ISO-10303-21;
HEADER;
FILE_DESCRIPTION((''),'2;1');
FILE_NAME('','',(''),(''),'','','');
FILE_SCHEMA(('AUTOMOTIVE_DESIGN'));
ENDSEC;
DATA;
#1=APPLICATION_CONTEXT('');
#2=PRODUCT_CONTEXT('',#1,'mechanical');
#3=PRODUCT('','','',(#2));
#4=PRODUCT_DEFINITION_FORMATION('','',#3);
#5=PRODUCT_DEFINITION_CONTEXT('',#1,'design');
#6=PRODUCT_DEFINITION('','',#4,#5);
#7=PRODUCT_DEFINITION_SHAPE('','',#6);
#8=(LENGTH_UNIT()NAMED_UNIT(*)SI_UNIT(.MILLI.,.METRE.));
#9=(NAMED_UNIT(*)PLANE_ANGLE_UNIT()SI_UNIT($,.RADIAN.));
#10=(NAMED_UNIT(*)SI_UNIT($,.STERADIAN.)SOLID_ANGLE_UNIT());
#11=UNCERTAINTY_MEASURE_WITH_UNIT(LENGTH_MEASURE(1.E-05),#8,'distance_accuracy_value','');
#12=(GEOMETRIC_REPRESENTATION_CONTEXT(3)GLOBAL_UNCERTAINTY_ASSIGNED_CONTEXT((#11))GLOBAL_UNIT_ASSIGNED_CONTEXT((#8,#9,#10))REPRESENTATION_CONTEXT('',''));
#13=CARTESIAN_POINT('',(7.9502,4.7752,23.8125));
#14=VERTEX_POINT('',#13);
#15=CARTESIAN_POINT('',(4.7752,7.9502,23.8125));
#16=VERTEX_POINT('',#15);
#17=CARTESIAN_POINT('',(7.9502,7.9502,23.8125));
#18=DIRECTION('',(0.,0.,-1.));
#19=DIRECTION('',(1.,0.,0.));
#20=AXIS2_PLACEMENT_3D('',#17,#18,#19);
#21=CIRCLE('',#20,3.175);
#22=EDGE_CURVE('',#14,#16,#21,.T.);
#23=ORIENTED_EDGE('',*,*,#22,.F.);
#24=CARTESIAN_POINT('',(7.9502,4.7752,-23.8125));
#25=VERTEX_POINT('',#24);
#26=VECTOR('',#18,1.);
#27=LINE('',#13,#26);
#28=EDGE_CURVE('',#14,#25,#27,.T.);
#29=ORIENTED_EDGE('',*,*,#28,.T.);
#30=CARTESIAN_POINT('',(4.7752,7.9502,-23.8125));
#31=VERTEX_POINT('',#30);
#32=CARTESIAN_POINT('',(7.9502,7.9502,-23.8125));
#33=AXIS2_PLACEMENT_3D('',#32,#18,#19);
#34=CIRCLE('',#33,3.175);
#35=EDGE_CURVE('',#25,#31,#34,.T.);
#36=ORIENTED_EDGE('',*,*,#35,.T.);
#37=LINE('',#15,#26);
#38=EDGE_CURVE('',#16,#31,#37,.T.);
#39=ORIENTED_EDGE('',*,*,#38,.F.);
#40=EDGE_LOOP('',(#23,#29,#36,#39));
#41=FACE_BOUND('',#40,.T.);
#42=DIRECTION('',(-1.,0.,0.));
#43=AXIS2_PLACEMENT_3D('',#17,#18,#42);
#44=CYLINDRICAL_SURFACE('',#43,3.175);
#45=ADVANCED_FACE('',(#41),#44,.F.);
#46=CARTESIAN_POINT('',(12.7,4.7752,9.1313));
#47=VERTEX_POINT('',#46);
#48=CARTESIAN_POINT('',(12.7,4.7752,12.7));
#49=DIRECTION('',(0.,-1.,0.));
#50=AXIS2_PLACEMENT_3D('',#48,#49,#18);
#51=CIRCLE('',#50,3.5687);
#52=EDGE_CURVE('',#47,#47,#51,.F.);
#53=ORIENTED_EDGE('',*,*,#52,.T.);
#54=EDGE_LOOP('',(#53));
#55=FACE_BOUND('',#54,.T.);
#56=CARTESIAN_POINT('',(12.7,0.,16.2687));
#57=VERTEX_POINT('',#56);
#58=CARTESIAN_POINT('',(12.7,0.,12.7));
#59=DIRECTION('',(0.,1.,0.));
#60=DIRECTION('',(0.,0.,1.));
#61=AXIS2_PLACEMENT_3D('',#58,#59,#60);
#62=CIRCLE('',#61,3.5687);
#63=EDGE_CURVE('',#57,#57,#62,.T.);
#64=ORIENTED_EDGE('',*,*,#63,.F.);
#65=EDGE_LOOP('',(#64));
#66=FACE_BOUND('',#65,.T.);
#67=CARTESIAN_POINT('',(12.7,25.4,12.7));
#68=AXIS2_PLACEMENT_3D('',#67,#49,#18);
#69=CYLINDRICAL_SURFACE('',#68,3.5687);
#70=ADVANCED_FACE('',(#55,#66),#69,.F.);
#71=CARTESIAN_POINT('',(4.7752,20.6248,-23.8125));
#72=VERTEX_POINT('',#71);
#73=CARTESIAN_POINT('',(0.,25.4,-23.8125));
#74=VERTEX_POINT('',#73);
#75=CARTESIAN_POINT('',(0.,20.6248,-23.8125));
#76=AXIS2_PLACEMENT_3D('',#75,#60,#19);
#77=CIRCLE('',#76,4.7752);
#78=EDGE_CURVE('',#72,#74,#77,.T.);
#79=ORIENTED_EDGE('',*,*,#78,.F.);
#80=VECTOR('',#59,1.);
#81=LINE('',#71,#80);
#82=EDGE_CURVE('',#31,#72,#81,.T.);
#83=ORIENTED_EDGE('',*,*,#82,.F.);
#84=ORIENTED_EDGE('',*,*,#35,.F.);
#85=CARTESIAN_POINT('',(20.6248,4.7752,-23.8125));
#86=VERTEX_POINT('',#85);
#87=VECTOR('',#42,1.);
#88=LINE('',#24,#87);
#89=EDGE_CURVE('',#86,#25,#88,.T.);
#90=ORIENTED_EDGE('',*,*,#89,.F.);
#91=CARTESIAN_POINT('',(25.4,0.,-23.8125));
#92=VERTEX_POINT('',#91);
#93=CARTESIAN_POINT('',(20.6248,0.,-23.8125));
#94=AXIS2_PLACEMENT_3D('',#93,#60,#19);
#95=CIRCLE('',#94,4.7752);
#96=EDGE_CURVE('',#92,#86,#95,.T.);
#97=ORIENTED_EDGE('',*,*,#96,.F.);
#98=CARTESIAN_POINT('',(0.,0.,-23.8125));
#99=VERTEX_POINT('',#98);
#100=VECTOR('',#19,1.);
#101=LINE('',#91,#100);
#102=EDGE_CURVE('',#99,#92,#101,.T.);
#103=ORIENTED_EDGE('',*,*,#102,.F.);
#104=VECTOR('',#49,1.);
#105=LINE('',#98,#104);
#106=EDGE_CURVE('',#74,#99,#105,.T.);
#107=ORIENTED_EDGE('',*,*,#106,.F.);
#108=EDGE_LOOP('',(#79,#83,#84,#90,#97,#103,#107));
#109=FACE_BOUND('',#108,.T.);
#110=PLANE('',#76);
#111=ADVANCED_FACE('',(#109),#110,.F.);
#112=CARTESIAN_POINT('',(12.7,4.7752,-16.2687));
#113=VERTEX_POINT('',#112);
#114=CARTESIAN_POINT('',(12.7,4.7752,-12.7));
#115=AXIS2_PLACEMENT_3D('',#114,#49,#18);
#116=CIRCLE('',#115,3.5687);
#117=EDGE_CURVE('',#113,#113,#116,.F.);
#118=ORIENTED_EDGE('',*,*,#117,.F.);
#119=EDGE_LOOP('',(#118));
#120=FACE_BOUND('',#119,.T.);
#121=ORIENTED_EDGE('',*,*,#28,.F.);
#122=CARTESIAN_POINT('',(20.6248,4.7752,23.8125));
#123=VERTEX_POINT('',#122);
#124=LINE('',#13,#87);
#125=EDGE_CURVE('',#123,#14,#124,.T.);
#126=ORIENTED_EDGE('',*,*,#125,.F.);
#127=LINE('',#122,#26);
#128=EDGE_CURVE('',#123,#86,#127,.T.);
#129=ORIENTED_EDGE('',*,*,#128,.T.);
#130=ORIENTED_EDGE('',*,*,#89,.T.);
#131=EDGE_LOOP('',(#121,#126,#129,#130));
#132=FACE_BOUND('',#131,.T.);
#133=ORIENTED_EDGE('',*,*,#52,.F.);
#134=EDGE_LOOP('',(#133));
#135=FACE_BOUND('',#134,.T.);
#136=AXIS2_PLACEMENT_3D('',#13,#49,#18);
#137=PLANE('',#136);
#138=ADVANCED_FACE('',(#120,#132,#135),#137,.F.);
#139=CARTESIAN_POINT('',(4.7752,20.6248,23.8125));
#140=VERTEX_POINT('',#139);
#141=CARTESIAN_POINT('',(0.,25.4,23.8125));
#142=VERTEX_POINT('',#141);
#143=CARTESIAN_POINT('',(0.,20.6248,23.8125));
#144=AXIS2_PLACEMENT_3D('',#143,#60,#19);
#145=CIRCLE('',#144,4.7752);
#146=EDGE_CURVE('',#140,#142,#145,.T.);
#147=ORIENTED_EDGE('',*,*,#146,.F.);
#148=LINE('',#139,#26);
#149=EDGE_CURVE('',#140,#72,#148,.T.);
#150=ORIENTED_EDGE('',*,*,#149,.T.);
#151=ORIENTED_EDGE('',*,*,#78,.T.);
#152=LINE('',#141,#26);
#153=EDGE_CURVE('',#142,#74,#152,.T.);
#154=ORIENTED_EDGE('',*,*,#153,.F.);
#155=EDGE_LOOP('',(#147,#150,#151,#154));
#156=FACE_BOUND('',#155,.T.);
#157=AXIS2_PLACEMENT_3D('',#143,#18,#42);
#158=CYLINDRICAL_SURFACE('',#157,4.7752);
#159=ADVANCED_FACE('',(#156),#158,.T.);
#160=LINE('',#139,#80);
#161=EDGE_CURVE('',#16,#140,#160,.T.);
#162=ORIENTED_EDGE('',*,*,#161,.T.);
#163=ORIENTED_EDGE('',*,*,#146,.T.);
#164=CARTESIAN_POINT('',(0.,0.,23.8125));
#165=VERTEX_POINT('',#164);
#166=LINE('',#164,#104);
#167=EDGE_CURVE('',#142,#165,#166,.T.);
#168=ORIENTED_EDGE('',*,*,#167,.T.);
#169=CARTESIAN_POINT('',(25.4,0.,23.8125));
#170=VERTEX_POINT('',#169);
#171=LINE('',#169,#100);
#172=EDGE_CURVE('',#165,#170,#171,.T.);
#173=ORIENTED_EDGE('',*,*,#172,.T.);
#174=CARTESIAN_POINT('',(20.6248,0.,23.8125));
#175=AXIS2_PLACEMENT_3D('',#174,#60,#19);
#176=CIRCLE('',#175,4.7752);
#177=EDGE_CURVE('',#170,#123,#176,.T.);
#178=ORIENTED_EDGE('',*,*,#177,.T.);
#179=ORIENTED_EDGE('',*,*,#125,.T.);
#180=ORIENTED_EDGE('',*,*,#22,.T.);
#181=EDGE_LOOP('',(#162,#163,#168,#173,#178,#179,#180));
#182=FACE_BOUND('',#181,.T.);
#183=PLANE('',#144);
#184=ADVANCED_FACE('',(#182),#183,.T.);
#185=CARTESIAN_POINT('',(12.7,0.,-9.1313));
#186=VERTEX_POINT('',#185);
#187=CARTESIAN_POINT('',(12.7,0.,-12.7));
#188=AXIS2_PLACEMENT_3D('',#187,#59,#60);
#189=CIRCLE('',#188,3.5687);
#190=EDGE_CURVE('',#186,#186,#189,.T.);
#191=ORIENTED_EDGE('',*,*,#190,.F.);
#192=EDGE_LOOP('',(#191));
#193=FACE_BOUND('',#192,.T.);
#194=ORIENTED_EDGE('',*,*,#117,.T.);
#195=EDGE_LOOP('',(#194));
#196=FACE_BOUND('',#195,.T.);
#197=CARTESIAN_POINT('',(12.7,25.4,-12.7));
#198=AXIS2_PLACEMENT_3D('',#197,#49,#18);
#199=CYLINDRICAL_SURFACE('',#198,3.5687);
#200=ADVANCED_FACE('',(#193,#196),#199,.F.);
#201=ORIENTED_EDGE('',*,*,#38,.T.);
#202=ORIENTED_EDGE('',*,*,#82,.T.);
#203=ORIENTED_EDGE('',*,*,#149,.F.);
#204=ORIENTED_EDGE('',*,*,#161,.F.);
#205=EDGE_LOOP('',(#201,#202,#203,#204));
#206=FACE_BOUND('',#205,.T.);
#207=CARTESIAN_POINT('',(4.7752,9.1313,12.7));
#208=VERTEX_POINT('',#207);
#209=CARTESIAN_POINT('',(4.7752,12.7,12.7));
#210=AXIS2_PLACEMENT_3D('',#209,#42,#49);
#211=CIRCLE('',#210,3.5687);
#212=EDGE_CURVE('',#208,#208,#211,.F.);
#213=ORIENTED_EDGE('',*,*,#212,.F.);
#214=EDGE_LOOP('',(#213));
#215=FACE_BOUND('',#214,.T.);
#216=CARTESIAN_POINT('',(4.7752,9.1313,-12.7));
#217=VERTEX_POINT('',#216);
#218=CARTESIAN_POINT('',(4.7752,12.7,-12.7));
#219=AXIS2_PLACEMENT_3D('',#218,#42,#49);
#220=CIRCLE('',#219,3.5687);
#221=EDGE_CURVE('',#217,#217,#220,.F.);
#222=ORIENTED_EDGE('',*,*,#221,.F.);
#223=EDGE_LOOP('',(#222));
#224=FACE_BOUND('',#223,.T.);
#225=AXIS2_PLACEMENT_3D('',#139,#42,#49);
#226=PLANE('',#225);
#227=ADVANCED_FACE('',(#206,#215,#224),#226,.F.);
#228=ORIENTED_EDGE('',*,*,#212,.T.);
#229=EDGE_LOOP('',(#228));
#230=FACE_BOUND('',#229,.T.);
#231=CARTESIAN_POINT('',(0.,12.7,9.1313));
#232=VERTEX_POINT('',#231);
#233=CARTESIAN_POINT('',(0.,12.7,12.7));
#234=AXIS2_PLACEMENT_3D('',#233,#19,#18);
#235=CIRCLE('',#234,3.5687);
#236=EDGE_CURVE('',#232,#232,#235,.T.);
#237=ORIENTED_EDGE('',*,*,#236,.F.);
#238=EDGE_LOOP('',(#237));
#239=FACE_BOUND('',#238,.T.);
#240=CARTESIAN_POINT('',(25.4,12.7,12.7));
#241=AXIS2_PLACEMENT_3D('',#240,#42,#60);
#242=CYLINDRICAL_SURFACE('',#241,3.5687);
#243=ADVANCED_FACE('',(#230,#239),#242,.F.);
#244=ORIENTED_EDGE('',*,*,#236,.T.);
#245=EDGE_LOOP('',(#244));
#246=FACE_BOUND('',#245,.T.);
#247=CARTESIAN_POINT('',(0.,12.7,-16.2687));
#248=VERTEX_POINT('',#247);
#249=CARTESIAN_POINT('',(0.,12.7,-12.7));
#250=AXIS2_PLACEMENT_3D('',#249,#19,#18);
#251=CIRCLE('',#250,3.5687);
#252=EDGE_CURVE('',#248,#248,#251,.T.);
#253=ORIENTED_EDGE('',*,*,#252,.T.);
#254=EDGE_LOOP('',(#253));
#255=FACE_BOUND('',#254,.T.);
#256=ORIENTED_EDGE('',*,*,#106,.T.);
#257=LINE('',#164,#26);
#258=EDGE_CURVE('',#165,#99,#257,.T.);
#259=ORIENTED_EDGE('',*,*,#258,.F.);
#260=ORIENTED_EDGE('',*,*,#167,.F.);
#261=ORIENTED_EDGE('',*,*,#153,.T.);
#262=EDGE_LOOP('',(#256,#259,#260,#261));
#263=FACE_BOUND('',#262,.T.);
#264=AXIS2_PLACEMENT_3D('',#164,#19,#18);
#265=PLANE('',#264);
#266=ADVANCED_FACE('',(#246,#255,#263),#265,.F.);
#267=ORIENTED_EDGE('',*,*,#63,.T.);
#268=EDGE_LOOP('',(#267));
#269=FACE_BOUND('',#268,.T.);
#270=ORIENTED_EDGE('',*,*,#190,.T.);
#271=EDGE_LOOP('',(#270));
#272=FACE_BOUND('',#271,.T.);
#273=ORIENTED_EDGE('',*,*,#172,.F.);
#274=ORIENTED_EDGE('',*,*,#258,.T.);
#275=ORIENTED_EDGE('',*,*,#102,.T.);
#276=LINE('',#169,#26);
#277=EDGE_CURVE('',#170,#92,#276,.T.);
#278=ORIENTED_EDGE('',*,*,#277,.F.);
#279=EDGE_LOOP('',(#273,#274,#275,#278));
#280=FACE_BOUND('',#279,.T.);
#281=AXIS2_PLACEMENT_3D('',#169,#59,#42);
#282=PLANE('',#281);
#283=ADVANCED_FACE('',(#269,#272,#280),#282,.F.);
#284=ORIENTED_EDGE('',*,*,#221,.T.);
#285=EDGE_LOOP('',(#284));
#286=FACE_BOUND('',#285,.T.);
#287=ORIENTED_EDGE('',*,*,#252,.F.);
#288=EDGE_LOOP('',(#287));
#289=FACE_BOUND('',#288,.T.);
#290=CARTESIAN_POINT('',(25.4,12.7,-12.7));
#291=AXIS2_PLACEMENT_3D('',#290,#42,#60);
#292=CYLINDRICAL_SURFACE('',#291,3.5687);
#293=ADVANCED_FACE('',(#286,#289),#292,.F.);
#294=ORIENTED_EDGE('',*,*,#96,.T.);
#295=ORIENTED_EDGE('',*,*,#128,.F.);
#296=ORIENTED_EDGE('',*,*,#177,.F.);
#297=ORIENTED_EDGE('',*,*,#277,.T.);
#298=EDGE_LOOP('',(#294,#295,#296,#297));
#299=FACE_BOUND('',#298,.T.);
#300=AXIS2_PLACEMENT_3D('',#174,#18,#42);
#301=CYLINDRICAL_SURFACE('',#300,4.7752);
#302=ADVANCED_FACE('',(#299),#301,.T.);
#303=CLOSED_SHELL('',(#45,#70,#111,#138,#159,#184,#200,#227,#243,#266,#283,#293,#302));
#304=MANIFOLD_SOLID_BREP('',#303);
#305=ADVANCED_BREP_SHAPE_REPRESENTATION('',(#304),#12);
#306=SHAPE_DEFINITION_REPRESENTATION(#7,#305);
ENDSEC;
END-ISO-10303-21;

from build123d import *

# Parameters (mm, degrees)
BOSS_EXTRUDE1_DEPTH = 23.8125
SKETCH2_R           = 3.5687
CUT_EXTRUDE1_DEPTH  = 26.4
SKETCH3_R           = 3.5687
CUT_EXTRUDE2_DEPTH  = 26.4


with BuildPart() as part:
    # Sketch1 → Boss-Extrude1 (new body, symmetric)
    with BuildSketch(Plane.XY):
        with BuildLine():
            Line((0, 0), (0, 25.4))
            ThreePointArc((0, 25.4), (3.376576302, 24.001376302), (4.7752, 20.6248))
            Line((4.7752, 20.6248), (4.7752, 7.9502))
            ThreePointArc((4.7752, 7.9502), (5.70513597, 5.70513597), (7.9502, 4.7752))
            Line((7.9502, 4.7752), (20.6248, 4.7752))
            ThreePointArc((20.6248, 4.7752), (24.001376302, 3.376576302), (25.4, 0))
            Line((25.4, 0), (0, 0))
        make_face()
    extrude(amount=BOSS_EXTRUDE1_DEPTH, both=True)

    # Sketch2 → Cut-Extrude1 (cut, through all)
    with BuildSketch(Plane(origin=(0, 0, 0), x_dir=(1, 0, 0), z_dir=(0, 1, 0))):
        with Locations((12.7, -12.7)):
            Circle(SKETCH2_R)
        with Locations((12.7, 12.7)):
            Circle(SKETCH2_R)
    extrude(amount=CUT_EXTRUDE1_DEPTH, mode=Mode.SUBTRACT)

    # Sketch3 → Cut-Extrude2 (cut, through all)
    with BuildSketch(Plane(origin=(0, 0, 0), x_dir=(0, 0, -1), z_dir=(1, 0, 0))):
        with Locations((-12.7, 12.7)):
            Circle(SKETCH3_R)
        with Locations((12.7, 12.7)):
            Circle(SKETCH3_R)
    extrude(amount=CUT_EXTRUDE2_DEPTH, mode=Mode.SUBTRACT)


solid = part.part
